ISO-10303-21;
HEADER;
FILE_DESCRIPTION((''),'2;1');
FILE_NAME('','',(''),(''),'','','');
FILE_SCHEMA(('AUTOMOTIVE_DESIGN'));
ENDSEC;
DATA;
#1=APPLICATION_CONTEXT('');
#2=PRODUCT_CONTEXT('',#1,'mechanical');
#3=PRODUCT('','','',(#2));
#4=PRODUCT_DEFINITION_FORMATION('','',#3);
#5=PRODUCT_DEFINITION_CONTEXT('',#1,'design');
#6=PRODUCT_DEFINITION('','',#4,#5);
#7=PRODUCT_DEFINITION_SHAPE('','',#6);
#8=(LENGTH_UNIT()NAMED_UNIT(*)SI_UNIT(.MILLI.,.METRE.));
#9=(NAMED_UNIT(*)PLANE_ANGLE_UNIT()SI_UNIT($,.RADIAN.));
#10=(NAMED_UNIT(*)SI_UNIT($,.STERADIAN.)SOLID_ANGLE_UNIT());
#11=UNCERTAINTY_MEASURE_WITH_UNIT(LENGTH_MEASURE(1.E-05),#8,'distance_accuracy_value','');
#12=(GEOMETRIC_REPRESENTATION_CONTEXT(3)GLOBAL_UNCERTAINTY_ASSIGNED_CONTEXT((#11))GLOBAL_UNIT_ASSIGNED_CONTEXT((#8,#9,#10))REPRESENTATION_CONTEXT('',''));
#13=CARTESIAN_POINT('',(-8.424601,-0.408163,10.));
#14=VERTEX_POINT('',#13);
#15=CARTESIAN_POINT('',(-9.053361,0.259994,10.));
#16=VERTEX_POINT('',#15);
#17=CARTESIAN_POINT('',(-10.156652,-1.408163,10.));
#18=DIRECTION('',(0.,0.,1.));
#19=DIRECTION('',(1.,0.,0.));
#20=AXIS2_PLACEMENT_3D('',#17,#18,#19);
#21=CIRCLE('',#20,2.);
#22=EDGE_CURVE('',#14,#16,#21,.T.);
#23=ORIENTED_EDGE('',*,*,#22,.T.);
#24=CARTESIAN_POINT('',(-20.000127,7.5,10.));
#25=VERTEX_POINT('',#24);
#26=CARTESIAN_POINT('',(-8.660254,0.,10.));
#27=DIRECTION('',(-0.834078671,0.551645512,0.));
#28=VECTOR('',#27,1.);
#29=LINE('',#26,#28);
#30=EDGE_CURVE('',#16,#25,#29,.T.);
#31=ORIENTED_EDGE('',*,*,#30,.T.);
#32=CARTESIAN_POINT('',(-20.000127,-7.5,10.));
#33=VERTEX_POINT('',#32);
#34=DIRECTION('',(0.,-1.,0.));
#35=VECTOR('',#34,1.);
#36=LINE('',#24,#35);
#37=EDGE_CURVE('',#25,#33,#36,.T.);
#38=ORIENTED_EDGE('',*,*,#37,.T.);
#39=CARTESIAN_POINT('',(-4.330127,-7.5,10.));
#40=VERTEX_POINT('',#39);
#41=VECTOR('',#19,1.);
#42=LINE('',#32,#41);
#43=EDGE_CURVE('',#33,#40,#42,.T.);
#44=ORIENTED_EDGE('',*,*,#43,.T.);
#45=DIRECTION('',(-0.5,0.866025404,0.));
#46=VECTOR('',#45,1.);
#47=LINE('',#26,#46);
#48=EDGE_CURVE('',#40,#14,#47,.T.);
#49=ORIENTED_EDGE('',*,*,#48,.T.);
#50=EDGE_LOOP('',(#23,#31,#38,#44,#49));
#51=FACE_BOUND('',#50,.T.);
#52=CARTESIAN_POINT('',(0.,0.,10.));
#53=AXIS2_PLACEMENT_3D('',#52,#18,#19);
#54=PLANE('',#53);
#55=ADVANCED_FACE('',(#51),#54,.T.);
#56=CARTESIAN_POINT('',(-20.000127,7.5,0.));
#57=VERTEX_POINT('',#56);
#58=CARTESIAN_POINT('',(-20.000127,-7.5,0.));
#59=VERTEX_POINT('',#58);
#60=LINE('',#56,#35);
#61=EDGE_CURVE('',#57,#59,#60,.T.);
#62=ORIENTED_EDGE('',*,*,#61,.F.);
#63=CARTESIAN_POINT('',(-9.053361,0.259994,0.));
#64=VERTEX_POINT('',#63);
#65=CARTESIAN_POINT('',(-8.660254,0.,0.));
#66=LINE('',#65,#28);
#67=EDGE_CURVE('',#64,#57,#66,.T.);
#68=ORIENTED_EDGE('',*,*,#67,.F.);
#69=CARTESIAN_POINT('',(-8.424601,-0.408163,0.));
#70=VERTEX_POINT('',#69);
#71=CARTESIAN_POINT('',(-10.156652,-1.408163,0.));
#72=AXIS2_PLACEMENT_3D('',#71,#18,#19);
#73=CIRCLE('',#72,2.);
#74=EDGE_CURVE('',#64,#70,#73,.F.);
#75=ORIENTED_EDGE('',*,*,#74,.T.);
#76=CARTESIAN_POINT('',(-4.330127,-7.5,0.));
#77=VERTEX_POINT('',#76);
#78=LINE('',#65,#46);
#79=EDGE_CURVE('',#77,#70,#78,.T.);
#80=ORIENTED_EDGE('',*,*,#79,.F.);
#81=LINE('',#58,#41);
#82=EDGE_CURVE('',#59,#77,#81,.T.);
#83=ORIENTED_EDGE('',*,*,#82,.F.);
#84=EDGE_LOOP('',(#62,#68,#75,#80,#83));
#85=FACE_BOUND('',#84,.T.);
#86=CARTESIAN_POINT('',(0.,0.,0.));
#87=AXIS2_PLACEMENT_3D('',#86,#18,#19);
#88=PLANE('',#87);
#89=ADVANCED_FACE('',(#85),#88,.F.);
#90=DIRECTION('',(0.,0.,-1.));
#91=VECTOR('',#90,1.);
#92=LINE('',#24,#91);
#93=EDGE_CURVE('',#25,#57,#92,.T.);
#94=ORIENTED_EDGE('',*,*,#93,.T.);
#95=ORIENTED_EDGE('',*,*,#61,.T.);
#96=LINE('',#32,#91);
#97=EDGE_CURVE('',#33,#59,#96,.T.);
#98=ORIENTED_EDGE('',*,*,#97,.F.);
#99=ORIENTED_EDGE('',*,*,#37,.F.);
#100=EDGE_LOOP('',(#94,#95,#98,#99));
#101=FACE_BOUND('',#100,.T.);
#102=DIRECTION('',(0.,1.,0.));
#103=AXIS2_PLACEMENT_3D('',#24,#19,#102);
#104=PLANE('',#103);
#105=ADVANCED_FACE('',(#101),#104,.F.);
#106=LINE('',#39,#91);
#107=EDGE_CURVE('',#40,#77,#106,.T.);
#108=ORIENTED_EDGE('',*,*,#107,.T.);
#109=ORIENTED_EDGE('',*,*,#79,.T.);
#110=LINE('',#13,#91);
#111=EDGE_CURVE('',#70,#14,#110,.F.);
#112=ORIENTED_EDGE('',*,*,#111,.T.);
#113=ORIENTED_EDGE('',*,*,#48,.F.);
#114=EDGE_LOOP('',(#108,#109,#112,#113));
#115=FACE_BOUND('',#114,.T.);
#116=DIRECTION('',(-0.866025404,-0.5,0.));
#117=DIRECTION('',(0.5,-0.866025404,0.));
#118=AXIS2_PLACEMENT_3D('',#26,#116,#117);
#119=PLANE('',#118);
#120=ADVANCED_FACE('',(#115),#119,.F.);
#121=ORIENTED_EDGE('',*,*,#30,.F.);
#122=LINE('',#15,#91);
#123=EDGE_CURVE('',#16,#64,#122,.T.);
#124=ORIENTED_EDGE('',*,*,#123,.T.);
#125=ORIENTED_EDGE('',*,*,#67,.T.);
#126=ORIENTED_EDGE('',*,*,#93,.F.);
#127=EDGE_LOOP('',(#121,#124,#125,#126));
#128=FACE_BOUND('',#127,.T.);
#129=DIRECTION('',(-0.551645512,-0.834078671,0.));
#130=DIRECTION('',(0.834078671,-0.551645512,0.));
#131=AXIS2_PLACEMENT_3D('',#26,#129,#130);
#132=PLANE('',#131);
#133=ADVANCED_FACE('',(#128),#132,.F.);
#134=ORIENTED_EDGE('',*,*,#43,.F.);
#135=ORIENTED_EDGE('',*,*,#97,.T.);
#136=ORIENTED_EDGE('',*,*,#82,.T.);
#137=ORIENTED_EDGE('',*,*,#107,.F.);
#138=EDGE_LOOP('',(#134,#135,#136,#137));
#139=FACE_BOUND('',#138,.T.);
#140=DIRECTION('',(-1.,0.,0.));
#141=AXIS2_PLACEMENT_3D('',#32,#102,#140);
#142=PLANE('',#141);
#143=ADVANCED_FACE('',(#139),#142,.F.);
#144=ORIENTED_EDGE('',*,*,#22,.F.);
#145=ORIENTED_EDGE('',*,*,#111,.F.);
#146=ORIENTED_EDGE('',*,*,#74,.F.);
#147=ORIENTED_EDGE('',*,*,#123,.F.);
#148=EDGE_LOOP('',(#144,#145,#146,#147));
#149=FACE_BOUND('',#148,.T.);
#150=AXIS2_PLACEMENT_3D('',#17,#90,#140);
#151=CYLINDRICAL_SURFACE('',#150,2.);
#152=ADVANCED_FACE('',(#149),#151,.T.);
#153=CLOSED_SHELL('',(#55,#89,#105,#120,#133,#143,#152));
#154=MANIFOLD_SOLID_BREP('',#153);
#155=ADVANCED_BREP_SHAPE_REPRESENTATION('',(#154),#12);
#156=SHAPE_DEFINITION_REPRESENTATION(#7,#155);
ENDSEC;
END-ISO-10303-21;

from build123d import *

# Parameters (mm, degrees)
BOSS_EXTRUDE1_DEPTH = 10
FILLET1_R           = 2


with BuildPart() as part:
    # Sketch2 → Boss-Extrude1 (new body)
    with BuildSketch(Plane.XY):
        Polygon((-8.660254038, 0), (-4.330127019, -7.5), (-20.000127019, -7.5), (-20.000127019, 7.5), align=None)
    extrude(amount=BOSS_EXTRUDE1_DEPTH)

    # Fillet1
    fillet1_edges = [part.edges().sort_by_distance(p)[0] for p in [
        (-8.660254038, 0, 5),
    ]]
    fillet(fillet1_edges, radius=FILLET1_R)


solid = part.part
